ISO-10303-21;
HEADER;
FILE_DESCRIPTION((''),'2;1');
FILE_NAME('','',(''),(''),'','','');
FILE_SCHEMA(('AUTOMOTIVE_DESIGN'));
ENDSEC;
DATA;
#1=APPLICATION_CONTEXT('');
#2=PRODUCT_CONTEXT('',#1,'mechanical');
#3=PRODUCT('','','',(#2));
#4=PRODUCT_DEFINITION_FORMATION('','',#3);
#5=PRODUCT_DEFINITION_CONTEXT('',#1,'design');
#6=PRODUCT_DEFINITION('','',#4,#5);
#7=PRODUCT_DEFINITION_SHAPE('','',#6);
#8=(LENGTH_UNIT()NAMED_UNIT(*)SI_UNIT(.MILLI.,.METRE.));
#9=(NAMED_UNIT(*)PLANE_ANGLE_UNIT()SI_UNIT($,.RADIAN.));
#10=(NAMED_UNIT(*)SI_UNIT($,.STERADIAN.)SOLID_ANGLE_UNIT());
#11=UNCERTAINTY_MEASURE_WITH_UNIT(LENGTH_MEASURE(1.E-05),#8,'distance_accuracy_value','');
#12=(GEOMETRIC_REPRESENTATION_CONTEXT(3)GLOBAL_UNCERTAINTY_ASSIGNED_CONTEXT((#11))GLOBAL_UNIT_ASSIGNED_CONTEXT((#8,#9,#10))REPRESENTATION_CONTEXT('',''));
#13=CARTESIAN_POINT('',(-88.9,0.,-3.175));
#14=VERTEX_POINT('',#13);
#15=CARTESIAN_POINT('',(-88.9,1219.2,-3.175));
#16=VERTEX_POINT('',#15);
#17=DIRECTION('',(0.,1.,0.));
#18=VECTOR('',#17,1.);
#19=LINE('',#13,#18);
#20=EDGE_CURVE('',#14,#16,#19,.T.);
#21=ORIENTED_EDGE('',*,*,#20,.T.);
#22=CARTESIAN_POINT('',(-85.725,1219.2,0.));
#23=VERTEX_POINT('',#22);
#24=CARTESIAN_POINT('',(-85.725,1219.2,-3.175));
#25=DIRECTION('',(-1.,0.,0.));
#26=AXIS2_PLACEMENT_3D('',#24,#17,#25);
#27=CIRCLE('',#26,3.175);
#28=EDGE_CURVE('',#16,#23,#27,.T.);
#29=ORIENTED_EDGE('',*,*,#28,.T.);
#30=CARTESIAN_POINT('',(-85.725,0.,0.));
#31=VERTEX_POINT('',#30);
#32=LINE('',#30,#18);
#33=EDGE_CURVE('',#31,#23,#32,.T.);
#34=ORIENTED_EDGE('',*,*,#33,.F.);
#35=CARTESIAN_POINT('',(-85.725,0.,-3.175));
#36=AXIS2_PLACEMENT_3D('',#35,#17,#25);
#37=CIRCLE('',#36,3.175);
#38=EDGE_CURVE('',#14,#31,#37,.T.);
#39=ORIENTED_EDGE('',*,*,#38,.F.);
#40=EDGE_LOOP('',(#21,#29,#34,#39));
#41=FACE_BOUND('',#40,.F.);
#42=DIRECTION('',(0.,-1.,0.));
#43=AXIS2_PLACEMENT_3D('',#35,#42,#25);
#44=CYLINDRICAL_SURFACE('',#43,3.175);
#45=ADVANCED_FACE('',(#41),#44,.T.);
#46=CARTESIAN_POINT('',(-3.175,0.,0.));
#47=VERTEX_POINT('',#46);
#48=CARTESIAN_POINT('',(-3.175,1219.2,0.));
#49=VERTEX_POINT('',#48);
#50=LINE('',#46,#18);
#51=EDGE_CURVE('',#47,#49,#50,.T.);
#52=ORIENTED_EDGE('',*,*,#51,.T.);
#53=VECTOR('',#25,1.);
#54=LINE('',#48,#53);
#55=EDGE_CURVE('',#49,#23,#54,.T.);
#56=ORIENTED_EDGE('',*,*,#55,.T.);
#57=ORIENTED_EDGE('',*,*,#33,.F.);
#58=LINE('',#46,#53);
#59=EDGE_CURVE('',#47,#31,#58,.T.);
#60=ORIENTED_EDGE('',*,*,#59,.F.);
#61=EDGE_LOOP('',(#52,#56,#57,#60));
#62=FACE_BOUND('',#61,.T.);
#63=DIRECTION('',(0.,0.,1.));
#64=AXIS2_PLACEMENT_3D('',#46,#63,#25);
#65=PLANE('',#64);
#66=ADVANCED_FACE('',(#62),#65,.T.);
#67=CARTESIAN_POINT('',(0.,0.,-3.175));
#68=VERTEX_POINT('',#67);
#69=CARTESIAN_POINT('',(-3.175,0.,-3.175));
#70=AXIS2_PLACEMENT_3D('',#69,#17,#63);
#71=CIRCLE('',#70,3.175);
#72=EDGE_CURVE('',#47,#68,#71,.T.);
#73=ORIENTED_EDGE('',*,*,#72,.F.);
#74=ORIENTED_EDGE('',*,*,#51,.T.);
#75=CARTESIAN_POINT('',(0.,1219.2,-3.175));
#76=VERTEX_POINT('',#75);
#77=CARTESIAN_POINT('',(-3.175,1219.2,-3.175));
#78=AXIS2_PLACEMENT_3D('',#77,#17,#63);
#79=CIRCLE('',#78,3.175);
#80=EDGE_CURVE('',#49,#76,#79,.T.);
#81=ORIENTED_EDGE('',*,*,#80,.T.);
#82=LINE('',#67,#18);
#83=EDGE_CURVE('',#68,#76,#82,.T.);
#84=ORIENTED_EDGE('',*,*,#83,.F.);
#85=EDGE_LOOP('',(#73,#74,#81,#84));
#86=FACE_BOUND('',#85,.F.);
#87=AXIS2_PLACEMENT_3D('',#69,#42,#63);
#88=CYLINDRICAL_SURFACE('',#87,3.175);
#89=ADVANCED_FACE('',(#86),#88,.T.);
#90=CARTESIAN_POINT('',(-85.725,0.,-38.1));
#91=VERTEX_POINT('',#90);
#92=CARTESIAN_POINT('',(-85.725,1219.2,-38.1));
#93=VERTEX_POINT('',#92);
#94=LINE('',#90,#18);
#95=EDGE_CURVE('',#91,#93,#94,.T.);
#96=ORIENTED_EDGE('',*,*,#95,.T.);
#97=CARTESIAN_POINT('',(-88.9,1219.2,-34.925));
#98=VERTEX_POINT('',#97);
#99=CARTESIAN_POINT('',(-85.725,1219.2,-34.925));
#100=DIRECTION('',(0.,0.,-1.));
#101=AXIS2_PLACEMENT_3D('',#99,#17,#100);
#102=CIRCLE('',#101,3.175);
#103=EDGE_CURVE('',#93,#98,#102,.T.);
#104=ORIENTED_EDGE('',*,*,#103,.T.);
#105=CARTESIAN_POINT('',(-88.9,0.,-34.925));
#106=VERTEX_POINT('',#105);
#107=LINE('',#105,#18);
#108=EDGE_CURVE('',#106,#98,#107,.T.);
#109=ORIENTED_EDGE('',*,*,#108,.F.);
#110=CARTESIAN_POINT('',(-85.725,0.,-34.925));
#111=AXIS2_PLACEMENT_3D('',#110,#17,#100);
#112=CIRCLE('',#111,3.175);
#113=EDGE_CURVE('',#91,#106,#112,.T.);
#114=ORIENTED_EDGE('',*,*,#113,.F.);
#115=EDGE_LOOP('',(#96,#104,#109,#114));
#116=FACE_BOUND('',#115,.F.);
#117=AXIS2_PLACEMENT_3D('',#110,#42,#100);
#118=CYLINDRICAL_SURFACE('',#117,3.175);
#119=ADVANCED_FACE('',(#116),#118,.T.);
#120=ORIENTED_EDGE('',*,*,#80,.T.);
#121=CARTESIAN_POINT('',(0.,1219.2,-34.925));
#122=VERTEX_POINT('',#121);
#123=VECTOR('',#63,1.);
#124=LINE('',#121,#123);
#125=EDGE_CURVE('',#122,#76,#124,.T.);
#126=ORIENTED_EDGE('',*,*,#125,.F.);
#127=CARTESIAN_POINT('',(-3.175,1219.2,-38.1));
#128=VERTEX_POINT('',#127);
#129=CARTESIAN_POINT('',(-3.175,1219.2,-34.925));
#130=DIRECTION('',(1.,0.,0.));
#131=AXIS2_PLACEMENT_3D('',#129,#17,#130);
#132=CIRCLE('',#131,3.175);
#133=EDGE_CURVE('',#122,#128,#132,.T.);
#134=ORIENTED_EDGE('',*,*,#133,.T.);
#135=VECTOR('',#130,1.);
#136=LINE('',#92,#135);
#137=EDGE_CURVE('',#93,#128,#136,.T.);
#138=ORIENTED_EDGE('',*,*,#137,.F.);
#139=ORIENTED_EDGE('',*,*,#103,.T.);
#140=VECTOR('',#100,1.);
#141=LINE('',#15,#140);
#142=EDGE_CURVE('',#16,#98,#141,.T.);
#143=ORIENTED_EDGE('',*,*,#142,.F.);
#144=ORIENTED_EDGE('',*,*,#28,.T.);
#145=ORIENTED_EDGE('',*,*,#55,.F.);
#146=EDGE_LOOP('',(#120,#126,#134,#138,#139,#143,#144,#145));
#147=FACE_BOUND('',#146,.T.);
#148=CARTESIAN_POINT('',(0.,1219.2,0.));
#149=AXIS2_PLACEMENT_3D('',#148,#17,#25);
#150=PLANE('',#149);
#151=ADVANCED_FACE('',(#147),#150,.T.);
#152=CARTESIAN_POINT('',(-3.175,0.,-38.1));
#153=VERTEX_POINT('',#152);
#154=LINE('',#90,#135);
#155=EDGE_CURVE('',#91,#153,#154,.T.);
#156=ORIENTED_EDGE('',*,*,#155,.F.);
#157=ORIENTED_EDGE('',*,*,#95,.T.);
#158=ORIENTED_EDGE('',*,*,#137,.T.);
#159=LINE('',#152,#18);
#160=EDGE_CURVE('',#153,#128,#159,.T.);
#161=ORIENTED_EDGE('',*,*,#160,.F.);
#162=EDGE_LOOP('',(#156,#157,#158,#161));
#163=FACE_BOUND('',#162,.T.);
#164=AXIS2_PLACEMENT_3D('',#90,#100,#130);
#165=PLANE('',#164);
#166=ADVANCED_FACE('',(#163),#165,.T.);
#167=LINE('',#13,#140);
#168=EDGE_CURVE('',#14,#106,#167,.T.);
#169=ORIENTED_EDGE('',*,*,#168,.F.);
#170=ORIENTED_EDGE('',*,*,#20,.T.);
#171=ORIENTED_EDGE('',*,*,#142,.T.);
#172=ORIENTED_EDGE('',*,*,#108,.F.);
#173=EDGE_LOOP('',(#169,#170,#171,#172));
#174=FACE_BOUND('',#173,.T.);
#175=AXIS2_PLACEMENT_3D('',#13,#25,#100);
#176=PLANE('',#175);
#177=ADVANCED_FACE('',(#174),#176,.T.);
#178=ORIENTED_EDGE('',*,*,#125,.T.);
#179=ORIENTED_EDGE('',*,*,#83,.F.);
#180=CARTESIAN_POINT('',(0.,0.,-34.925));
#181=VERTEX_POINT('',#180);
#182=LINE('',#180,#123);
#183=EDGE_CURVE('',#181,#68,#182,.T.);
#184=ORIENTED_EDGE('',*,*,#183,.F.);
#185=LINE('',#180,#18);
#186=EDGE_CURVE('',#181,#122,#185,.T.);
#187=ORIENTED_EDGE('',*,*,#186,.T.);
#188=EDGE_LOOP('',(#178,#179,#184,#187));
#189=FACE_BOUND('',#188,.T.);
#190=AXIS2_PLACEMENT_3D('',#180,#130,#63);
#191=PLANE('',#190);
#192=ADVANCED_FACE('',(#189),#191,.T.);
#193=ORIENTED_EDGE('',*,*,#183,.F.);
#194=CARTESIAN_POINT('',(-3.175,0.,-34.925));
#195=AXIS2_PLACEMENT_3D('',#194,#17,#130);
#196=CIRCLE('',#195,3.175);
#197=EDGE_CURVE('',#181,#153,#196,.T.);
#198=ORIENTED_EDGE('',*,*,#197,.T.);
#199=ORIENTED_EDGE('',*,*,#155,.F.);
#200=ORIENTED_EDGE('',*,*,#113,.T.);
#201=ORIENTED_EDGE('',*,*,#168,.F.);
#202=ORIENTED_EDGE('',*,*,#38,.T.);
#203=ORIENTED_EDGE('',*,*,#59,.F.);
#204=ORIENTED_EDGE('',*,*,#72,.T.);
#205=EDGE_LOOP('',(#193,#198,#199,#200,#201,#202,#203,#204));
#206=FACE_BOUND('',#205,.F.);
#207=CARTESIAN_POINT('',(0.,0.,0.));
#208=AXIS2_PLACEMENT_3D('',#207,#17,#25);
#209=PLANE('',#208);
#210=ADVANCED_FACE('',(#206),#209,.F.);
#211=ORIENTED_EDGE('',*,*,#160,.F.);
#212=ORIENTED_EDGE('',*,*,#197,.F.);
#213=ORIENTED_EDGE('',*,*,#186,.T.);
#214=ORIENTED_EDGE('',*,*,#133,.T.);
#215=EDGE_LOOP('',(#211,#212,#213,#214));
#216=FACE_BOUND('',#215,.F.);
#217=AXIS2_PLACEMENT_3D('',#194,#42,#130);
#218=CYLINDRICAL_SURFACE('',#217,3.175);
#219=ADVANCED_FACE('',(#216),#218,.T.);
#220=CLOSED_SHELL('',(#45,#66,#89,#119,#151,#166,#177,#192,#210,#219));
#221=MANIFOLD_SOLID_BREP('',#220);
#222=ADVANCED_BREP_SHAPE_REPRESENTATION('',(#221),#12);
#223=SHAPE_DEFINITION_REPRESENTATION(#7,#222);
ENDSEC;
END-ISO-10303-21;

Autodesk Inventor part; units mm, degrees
ref_plane "YZ Plane" through (0, 0, 0) normal (1, 0, 0) x (0, 1, 0)
ref_plane "XZ Plane" through (0, 0, 0) normal (0, 1, 0) x (-1, 0, 0)
ref_plane "XY Plane" through (0, 0, 0) normal (0, 0, 1) x (1, 0, 0)
sketch "Sketch1" plane through (0, 0, 0) normal (0, 1, 0) x (-1, 0, 0)
  line L0 (3.175, 0) -> (85.725, 0)
  line L1 (88.9, -3.175) -> (88.9, -34.925)
  line L2 (85.725, -38.1) -> (3.175, -38.1)
  line L3 (0, -34.925) -> (0, -3.175)
  arc A0 (88.9, -3.175) -> (85.725, 0) centre (85.725, -3.175) ccw
  arc A1 (85.725, -38.1) -> (88.9, -34.925) centre (85.725, -34.925) ccw
  arc A2 (0, -34.925) -> (3.175, -38.1) centre (3.175, -34.925) ccw
  arc A3 (3.175, 0) -> (0, -3.175) centre (3.175, -3.175) ccw
  point P0 (0, 0)
  point P1 (88.9, -38.1)
  point P2 (88.9, 0)
  point P3 (0, -38.1)
  dimension "d0" = 88.9
  dimension "d1" = 38.1
  dimension "d2" = 3.175
extrude "Extrusion1" add sketch "Sketch1" along normal blind 1219.2
sketch "Sketch2" plane through (-3.175, 0, -38.1) normal (0, 0, -1) x (-1, 0, 0)
  line L0 (0, 0) -> (82.55, 0) construction
  line L1 (82.55, 0) -> (82.55, 1219.2) construction
  line L2 (0, 1219.2) -> (82.55, 1219.2) construction
  line L3 (0, 0) -> (0, 1219.2) construction
  line L4 (60.325, 1219.2) -> (60.325, 914.4) construction
  line L5 (60.325, 914.4) -> (60.325, 609.6) construction
  line L6 (60.325, 609.6) -> (60.325, 304.8) construction
  line L7 (60.325, 304.8) -> (60.325, 0) construction
  circle A0 centre (60.325, 940.6001) radius 1.5875
  circle A1 centre (60.325, 888.1999) radius 1.5875
  circle A2 centre (60.325, 635.8001) radius 1.5875
  circle A3 centre (60.325, 583.3999) radius 1.5875
  circle A4 centre (60.325, 331.0001) radius 1.5875
  circle A5 centre (60.325, 278.5999) radius 1.5875
  line L8 (85.725, 0) -> (85.725, 1219.2) projected
  line L9 (60.325, 914.4) -> (22.225, 914.4) construction
  circle A6 centre (22.225, 914.4) radius 1.5875
  line L10 (60.325, 609.6) -> (22.225, 609.6) construction
  circle A7 centre (22.225, 609.6) radius 1.5875
  line L11 (60.325, 304.8) -> (22.225, 304.8) construction
  circle A8 centre (22.225, 304.8) radius 1.5875
  point P0 (-3.175, 0)
  point P1 (85.725, 609.6)
  dimension "d5" = 3.175
  dimension "d6" = 26.2001
  dimension "d7" = 26.2001
  dimension "d8" = 3.175
  dimension "d9" = 26.2001
  dimension "d10" = 26.2001
  dimension "d11" = 3.175
  dimension "d12" = 26.2001
  dimension "d13" = 26.2001
  dimension "d16" = 25.4
  dimension "d17" = 38.1
  dimension "d18" = 38.1
  dimension "d19" = 38.1
extrude "Extrusion2" [suppressed]
equation "\"d7\" = d6"
equation "\"d10\" = d9"
equation "\"d13\" = d12"
properties part number "Horizontal Beam 4ft" material "Wood (Birch)"
